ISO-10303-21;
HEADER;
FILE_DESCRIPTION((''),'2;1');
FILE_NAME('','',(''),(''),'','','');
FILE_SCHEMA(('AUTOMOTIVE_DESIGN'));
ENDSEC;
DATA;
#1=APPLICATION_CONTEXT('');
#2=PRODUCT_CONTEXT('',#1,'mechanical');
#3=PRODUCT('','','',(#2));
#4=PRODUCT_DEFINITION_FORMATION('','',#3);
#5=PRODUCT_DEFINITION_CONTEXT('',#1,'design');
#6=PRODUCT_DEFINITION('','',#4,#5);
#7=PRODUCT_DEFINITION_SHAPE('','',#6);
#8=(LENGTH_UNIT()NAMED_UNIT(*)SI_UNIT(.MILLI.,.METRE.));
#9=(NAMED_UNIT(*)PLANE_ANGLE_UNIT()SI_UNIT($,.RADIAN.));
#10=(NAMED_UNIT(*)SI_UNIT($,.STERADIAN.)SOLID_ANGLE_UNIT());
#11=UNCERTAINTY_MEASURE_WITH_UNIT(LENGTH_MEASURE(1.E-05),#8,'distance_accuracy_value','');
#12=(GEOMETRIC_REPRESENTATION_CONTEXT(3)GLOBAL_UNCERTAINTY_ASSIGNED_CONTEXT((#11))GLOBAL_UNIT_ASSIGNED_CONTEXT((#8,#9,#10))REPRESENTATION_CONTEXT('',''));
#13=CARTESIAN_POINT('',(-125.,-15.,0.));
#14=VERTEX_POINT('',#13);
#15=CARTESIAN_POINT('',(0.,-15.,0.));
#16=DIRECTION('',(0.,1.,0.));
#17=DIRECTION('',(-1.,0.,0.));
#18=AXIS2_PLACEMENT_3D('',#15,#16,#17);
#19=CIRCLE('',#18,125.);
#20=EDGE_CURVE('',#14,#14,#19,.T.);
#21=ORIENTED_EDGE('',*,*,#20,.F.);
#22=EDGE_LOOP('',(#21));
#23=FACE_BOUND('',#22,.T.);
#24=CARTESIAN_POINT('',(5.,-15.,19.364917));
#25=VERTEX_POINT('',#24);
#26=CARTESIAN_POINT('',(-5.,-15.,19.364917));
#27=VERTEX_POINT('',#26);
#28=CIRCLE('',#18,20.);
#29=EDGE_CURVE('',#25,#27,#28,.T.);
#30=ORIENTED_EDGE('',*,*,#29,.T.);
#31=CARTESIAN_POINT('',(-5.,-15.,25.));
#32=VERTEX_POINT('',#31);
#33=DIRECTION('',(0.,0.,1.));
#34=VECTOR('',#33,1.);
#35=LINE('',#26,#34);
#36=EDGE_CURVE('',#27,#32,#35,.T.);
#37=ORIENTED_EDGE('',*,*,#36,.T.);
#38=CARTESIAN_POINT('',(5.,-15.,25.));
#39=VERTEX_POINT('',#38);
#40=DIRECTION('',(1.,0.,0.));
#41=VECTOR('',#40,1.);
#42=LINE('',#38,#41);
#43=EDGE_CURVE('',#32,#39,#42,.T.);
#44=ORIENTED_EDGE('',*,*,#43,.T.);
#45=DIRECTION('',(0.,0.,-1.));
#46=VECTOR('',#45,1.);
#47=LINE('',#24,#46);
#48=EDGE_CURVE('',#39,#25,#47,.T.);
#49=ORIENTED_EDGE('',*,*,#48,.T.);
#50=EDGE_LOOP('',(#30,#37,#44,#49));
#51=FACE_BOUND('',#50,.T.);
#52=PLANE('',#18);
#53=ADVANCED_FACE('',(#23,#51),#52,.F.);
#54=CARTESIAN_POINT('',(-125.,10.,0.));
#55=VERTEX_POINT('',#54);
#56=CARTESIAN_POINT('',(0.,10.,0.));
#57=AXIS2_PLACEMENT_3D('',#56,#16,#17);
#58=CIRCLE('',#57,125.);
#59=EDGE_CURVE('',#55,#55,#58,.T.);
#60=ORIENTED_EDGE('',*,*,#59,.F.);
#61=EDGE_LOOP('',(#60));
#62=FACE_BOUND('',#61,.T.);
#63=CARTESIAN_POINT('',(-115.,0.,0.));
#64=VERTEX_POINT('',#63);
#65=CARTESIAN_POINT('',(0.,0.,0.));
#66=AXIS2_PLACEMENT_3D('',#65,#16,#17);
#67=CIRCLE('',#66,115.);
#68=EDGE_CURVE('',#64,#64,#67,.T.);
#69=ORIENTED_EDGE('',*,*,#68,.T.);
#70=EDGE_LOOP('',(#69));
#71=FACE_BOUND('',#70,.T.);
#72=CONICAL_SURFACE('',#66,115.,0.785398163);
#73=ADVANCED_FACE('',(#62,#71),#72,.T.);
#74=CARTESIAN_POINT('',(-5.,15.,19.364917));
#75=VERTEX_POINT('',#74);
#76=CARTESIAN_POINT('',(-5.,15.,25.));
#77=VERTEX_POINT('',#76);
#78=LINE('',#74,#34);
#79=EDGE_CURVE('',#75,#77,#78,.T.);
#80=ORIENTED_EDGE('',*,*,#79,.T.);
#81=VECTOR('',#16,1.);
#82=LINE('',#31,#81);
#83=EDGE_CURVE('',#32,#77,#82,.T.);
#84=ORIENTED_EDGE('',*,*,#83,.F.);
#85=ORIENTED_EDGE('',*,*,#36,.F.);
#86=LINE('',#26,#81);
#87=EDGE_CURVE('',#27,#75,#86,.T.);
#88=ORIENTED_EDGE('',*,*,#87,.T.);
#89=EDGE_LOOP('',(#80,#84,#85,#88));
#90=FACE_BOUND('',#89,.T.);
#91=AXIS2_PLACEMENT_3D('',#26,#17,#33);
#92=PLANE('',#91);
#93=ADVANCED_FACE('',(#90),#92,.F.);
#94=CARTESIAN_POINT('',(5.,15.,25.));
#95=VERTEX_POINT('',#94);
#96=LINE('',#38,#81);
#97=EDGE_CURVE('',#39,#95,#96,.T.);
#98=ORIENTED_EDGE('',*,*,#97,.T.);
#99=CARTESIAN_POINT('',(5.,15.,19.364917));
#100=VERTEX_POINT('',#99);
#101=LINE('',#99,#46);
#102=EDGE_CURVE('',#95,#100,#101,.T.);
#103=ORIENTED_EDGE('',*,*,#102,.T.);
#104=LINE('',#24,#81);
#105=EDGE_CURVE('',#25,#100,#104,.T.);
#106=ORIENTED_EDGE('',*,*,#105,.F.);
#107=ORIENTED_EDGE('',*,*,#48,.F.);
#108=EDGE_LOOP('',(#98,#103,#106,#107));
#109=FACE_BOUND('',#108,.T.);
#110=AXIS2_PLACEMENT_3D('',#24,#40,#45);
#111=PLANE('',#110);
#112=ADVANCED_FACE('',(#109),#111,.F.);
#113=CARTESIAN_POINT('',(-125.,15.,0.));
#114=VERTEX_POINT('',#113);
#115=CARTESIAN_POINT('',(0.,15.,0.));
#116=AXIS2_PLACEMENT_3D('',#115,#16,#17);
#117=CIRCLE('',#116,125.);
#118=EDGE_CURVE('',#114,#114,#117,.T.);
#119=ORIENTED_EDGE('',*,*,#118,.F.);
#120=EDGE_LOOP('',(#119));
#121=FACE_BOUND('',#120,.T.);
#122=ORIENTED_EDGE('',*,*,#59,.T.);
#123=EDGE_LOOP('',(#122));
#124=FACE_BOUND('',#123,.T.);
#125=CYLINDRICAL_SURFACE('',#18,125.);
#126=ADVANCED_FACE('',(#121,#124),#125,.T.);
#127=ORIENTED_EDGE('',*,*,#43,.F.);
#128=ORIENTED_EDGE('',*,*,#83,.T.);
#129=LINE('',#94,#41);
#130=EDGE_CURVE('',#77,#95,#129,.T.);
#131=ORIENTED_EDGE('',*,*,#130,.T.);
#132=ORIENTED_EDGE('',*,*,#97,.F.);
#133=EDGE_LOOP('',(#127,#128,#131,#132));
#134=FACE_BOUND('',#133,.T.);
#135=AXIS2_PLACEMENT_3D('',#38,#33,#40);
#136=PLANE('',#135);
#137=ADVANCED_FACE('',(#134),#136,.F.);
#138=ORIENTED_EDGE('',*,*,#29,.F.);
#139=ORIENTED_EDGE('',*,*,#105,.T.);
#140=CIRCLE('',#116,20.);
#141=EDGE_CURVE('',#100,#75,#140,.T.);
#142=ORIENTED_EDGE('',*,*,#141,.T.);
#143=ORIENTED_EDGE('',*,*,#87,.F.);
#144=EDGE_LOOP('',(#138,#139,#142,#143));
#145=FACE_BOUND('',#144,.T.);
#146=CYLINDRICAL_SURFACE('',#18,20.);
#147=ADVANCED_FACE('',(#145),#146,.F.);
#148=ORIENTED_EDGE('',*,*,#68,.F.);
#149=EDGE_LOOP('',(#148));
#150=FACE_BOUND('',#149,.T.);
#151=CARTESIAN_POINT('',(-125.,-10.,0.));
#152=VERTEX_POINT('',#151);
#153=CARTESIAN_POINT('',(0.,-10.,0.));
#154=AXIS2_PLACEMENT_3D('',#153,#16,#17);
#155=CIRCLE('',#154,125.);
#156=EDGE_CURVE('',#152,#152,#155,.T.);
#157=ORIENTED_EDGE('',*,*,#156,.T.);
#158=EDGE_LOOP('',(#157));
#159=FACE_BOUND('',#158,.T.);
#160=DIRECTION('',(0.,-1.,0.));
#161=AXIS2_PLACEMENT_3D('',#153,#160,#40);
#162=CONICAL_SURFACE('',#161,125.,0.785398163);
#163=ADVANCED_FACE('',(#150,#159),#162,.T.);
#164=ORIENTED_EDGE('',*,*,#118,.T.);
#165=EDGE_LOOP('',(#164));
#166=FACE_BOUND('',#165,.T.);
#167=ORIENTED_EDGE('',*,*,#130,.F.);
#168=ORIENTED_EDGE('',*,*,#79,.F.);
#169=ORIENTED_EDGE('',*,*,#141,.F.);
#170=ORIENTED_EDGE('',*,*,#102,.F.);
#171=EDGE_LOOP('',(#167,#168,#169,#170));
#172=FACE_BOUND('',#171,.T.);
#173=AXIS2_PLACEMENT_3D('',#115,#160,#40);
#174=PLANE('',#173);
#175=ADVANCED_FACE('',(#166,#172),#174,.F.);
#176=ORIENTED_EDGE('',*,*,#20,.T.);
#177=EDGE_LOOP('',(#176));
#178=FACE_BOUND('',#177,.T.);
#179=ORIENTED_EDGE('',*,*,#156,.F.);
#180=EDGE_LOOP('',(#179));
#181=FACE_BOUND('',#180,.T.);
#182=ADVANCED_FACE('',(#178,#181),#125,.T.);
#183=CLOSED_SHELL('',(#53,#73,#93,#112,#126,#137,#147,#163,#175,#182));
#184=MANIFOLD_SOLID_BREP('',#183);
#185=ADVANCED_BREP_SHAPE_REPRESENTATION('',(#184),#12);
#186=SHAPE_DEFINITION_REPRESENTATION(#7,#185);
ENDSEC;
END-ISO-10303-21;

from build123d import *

# Parameters (mm, degrees)
CUT_EXTRUDE1_DEPTH = 180.30421077


with BuildPart() as part:
    # Sketch1 → Revolve1 (revolve)
    with BuildSketch(Plane.XY):
        Polygon((0, 15), (125, 15), (125, 10), (115, 0), (125, -10), (125, -15), (0, -15), align=None)
    revolve(axis=Axis((0, -15, 0), (0, -1, 0)))

    # Sketch2 → Cut-Extrude1 (cut, through all)
    with BuildSketch(Plane(origin=(0, 15, 0), x_dir=(-1, 0, 0), z_dir=(0, 1, 0))):
        with BuildLine():
            Line((-5, 19.364916731), (-5, 25))
            Line((-5, 25), (5, 25))
            Line((5, 25), (5, 19.364916731))
            ThreePointArc((5, 19.364916731), (0, -20), (-5, 19.364916731))
        make_face()
    extrude(amount=-CUT_EXTRUDE1_DEPTH, mode=Mode.SUBTRACT)


solid = part.part
